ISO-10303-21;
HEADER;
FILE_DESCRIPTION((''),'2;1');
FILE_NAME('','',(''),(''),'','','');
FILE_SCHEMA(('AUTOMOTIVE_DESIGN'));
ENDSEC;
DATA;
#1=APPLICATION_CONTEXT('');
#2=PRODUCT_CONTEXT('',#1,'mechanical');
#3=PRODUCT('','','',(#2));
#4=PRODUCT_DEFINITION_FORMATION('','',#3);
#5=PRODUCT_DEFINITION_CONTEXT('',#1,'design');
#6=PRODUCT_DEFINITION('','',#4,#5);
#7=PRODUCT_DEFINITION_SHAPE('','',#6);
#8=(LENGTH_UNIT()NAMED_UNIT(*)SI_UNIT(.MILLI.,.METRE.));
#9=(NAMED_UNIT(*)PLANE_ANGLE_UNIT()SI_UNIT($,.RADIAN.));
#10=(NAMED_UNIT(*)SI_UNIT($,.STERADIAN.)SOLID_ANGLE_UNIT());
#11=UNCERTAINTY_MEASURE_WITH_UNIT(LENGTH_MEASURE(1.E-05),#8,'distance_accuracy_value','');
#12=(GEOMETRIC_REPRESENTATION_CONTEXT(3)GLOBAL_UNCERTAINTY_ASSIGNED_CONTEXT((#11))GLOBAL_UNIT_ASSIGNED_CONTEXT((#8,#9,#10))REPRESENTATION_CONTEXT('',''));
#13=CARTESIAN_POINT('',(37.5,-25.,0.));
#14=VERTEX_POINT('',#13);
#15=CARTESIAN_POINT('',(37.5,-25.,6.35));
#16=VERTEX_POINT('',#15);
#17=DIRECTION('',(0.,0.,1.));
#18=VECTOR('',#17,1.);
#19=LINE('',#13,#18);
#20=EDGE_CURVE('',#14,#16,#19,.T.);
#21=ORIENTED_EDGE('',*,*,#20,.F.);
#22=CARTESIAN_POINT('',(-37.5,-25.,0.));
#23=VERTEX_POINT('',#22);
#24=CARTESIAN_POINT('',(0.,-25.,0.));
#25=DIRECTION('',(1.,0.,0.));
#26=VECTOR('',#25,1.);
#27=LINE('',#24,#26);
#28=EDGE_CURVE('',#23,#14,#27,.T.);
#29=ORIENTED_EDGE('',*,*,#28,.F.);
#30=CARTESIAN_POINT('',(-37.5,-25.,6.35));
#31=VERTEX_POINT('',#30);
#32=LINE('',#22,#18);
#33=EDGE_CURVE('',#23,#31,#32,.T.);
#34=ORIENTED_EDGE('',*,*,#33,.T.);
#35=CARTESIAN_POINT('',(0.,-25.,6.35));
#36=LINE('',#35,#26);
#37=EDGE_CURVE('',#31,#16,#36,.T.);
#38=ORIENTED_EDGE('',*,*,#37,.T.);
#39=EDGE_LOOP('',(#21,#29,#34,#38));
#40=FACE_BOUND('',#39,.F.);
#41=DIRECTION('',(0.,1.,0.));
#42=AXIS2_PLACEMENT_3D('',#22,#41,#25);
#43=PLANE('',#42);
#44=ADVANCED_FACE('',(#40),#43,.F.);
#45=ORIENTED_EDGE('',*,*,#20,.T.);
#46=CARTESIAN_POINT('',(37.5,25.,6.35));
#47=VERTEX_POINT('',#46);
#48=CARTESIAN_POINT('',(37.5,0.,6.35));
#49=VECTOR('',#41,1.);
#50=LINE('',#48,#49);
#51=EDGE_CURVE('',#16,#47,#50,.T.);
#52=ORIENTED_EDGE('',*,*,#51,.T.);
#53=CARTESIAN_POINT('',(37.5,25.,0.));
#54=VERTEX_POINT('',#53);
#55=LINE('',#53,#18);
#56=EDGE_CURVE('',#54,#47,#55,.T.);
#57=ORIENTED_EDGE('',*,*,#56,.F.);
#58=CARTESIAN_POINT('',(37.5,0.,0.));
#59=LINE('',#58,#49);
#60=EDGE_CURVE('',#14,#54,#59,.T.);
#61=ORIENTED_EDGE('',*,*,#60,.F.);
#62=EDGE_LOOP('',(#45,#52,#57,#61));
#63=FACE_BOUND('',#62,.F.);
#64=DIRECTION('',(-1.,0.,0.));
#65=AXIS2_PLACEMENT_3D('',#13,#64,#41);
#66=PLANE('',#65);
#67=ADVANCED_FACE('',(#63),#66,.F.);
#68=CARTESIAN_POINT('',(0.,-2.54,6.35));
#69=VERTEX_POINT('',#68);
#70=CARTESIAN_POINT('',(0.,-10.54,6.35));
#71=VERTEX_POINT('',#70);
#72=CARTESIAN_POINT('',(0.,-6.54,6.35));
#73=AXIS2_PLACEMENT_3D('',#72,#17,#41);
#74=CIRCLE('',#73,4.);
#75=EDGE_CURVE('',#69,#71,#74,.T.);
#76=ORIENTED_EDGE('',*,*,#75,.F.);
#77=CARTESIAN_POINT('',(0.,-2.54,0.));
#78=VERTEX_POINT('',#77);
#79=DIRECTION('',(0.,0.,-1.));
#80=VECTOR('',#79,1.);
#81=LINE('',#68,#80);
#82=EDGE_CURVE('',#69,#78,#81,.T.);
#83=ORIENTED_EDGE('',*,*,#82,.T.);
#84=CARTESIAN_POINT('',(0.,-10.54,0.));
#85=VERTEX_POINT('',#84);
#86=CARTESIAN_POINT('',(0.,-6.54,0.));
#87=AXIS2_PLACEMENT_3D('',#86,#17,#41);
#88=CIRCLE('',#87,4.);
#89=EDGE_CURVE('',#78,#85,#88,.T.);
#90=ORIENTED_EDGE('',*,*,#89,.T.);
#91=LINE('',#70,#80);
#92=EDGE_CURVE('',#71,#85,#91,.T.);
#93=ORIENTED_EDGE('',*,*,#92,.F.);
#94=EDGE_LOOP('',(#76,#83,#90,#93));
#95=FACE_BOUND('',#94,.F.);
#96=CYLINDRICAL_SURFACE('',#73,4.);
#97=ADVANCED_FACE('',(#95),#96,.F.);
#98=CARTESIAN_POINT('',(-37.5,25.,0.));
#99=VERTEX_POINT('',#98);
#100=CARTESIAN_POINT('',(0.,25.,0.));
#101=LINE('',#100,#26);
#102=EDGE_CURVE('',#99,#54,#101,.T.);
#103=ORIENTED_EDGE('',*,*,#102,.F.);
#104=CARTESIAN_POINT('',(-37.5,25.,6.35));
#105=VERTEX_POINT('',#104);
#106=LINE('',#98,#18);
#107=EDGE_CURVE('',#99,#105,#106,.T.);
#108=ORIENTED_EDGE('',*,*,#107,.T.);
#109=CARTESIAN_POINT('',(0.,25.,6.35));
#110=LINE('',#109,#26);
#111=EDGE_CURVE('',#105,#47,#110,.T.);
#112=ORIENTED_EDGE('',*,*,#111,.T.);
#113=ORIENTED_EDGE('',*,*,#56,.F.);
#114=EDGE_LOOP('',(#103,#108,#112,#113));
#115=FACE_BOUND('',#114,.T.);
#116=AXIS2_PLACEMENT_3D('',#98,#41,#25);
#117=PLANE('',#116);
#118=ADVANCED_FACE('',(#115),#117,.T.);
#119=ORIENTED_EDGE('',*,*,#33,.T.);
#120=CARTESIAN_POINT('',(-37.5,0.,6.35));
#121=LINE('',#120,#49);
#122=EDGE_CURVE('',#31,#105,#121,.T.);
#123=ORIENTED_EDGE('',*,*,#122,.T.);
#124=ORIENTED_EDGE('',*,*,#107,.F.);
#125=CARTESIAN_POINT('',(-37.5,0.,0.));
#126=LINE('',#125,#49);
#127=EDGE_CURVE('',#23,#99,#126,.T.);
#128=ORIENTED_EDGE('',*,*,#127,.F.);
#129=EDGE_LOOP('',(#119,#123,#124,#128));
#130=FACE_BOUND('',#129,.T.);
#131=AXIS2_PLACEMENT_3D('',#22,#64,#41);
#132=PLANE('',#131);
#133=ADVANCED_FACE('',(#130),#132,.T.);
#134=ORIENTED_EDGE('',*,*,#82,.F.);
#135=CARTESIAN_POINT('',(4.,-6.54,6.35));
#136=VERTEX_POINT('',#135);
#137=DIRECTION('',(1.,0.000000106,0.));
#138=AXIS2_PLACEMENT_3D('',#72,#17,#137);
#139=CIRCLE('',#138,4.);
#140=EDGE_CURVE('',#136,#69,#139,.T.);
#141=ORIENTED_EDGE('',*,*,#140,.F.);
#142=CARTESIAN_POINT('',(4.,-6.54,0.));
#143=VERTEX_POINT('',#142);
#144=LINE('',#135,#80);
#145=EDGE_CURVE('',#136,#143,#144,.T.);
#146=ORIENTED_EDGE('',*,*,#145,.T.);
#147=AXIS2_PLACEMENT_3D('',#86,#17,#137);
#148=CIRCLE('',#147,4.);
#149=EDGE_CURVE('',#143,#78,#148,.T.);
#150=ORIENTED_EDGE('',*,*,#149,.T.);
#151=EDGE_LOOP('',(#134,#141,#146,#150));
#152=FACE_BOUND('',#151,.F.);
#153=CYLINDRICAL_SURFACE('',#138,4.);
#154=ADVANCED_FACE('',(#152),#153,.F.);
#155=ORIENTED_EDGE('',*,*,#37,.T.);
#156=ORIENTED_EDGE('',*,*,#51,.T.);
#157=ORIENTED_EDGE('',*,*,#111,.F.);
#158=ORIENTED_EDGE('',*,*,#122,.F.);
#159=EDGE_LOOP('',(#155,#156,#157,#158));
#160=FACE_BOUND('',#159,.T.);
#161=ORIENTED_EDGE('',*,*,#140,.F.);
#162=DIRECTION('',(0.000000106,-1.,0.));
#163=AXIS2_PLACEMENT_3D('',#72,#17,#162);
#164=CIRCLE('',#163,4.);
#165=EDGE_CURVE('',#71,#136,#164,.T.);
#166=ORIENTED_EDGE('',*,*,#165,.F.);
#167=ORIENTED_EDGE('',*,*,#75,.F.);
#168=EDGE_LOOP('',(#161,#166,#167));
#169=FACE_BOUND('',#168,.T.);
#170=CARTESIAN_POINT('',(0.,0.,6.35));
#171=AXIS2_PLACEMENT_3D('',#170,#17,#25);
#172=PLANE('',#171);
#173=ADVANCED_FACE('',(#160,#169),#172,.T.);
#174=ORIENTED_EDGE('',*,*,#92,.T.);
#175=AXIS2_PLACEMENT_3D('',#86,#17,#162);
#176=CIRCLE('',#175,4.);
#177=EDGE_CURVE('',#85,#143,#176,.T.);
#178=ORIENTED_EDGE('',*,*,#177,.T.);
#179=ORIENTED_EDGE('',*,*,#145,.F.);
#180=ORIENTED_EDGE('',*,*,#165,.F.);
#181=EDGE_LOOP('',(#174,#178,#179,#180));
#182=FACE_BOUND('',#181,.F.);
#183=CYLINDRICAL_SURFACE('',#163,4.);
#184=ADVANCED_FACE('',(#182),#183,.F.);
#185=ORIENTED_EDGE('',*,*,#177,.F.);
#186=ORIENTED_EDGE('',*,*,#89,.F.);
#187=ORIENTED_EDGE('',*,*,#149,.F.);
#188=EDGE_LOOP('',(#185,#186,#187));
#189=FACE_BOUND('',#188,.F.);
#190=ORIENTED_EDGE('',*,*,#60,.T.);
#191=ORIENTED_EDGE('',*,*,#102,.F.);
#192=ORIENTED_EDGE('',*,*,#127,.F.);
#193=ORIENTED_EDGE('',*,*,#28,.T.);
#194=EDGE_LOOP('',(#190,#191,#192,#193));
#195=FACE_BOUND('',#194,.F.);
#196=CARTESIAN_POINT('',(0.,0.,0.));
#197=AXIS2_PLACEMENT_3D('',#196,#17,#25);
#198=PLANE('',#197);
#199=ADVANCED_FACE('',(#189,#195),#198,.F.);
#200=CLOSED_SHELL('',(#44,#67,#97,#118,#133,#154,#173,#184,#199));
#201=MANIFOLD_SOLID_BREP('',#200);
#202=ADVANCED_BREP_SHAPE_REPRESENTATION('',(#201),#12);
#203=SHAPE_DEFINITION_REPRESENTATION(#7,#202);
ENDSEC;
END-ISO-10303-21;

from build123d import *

# Parameters (mm, degrees)
F0_W     = 75
F0_H     = 50
F1_DEPTH = 6.35
F3_DEPTH = 6.351


with BuildPart() as f1:
    # F0 (on Top) → F1 (new body)
    with BuildSketch(Plane.XY):
        Rectangle(F0_W, F0_H)
    extrude(amount=F1_DEPTH)

    # F2 (on face) → F3 (cut, through all)
    with BuildSketch(Plane.XY.offset(6.35)):
        with BuildLine():
            ThreePointArc((0, -10.54), (2.828427, -9.368427), (4, -6.54))
            ThreePointArc((4, -6.54), (2.828427, -3.711573), (0, -2.54))
            ThreePointArc((0, -2.54), (-4, -6.54), (0, -10.54))
        make_face()
    extrude(amount=-F3_DEPTH, mode=Mode.SUBTRACT)


solid = f1.part
